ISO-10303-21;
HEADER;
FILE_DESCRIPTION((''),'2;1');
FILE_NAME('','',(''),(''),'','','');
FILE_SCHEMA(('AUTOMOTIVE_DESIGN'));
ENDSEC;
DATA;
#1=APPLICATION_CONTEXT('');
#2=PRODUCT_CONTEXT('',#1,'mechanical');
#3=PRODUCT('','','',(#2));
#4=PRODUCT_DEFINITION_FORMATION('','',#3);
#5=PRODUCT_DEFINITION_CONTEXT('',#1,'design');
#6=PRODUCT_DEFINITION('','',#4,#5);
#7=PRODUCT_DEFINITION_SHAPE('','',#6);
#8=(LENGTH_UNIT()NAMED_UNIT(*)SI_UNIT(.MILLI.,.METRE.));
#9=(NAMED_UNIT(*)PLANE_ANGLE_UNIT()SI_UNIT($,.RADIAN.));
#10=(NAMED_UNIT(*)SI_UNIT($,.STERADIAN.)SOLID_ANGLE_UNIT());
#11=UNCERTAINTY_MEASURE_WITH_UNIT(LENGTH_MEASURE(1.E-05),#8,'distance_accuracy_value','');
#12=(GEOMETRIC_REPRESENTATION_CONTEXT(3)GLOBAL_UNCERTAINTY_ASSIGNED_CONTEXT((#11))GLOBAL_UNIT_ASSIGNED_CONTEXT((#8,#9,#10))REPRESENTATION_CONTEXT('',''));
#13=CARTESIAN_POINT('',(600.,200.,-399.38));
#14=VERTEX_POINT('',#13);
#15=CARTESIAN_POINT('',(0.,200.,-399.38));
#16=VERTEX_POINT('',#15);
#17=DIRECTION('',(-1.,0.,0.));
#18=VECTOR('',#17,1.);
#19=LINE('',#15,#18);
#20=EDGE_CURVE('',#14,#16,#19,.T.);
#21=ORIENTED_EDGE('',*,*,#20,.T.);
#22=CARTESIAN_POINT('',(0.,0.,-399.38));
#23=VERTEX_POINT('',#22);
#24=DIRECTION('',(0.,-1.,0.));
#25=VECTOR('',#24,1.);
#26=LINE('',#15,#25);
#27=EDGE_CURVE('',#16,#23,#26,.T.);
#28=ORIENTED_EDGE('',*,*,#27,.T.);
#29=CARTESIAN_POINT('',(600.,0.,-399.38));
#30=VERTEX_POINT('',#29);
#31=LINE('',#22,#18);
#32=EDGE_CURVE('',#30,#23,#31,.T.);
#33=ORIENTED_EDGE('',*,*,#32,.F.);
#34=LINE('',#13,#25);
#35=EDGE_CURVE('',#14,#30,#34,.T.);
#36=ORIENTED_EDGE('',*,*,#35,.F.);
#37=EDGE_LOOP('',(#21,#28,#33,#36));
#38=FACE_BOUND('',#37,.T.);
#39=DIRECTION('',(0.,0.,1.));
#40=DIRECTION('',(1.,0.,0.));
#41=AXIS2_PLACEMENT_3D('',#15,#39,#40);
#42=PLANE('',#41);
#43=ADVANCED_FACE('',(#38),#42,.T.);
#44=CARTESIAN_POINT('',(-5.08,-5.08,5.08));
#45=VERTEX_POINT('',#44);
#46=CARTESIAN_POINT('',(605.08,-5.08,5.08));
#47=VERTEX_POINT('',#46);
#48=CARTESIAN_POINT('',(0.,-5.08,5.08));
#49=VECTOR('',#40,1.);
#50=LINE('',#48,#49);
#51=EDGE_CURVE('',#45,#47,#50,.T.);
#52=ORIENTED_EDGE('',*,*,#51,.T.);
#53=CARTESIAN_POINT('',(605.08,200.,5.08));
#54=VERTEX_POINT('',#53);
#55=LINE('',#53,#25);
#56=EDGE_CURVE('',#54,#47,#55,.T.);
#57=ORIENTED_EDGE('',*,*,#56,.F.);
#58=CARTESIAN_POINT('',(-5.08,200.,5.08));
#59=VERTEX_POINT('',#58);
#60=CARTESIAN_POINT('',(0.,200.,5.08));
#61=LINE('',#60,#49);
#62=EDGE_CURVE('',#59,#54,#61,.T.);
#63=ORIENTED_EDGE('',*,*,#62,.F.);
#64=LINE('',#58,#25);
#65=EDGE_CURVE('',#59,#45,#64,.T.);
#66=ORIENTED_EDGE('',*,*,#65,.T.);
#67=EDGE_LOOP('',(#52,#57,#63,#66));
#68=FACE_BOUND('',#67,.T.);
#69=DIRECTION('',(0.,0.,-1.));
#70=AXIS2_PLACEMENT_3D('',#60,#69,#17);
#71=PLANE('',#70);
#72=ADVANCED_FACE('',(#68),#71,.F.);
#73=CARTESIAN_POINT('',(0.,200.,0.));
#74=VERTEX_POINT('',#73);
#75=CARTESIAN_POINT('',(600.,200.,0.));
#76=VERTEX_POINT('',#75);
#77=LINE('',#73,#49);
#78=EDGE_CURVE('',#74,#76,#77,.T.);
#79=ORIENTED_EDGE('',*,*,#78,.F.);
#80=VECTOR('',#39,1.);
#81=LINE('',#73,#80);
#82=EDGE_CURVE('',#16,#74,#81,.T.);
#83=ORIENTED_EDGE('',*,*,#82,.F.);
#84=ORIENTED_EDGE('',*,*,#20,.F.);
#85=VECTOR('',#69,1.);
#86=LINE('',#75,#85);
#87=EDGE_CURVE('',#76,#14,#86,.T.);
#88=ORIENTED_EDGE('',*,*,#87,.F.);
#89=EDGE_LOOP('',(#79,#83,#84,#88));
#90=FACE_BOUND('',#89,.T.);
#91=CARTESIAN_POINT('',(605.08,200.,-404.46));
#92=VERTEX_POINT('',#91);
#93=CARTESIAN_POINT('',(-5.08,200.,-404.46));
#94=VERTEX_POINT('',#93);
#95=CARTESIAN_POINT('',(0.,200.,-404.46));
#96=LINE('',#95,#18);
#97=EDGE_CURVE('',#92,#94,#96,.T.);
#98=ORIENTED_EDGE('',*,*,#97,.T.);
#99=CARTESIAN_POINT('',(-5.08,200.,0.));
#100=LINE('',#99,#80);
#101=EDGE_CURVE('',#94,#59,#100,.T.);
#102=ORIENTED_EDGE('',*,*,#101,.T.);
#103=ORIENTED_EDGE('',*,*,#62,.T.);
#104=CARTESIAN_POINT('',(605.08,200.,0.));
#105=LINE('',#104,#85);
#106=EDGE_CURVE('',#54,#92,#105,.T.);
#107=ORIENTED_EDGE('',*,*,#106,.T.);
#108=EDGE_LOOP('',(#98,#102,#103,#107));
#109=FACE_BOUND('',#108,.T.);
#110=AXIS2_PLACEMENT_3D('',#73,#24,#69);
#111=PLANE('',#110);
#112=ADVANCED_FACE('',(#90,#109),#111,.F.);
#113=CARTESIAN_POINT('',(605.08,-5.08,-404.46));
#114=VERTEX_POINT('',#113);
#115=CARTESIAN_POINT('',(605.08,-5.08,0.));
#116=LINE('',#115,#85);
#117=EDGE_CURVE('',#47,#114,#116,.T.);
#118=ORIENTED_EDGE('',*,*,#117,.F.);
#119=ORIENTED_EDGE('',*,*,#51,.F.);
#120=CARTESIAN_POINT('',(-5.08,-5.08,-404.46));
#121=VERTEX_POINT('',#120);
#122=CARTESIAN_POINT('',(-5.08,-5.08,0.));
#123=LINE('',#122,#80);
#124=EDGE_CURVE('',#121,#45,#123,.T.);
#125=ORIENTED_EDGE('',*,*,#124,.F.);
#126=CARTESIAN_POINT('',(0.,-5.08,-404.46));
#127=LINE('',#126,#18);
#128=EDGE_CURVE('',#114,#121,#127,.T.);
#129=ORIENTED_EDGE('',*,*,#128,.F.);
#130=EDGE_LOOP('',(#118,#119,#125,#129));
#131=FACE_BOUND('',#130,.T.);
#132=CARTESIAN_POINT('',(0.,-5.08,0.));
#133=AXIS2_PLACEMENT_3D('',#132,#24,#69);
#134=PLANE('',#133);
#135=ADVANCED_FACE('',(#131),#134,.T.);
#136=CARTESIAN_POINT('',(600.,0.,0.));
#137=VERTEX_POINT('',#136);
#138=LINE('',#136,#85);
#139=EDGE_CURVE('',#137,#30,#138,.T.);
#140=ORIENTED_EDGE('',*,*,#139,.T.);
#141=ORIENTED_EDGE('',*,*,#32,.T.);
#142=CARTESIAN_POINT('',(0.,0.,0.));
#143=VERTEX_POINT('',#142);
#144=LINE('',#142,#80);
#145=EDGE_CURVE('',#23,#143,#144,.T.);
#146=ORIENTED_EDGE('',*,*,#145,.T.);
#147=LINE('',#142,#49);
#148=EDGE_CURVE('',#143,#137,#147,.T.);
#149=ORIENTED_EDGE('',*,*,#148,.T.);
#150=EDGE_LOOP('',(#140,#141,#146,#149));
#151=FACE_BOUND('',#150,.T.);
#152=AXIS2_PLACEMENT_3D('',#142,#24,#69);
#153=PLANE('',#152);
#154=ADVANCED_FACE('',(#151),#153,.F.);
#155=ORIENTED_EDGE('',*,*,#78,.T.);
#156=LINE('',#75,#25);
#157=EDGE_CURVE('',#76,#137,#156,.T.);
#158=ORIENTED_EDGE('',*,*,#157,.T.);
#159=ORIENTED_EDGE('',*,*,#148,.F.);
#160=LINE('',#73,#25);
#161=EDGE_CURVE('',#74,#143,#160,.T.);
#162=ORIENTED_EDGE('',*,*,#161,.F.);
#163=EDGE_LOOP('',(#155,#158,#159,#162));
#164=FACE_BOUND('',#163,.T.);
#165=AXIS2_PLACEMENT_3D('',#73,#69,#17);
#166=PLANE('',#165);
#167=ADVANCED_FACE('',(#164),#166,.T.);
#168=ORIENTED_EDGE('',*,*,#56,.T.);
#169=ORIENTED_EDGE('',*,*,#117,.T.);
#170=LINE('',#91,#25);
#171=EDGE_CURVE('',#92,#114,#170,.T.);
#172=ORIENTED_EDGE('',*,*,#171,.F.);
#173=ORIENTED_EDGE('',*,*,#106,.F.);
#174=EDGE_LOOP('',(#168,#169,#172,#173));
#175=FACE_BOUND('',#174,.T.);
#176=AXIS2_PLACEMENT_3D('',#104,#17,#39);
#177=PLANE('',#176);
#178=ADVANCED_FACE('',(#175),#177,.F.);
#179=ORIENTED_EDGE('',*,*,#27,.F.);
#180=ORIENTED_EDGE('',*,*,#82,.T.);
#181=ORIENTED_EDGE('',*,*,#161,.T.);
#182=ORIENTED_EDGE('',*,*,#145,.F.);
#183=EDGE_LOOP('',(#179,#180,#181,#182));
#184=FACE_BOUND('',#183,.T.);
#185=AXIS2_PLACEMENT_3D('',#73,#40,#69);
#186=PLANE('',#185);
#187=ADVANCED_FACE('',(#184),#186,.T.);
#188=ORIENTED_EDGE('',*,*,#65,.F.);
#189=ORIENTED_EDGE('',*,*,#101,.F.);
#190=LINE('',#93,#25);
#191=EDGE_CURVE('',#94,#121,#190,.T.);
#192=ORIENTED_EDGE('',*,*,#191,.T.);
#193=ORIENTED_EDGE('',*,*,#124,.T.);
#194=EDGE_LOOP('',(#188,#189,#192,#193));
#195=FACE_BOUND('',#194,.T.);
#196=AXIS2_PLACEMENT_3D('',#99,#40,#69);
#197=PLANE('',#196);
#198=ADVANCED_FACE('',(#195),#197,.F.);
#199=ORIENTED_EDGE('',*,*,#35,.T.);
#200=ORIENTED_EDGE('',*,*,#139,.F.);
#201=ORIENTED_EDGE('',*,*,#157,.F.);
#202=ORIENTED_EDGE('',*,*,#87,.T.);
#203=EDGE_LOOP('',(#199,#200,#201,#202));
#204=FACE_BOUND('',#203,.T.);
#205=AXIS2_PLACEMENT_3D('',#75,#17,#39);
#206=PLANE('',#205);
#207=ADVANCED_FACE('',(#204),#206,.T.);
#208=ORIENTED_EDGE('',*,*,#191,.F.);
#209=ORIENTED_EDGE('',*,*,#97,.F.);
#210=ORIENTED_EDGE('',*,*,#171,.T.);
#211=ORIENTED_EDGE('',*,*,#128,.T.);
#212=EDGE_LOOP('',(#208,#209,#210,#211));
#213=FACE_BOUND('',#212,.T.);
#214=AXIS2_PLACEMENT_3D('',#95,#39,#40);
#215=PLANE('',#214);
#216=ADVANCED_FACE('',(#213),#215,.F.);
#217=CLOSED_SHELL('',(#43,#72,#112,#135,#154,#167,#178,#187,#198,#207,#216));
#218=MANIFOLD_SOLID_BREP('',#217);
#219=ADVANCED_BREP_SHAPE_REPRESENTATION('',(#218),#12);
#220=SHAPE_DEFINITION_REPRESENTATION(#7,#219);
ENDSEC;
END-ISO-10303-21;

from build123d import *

# Parameters (mm, degrees)
SKETCH2_W           = 600
SKETCH2_H           = 399.38
BOSS_EXTRUDE1_DEPTH = 200
SHELL1_T            = 5.08


with BuildPart() as part:
    # Sketch2 → Boss-Extrude1 (new body)
    with BuildSketch(Plane(origin=(0, 0, 0), x_dir=(1, 0, 0), z_dir=(0, 1, 0))):
        with Locations((300, 199.69)):
            Rectangle(SKETCH2_W, SKETCH2_H)
    extrude(amount=BOSS_EXTRUDE1_DEPTH)

    # Shell1
    shell1_openings = [part.faces().sort_by_distance(p)[0] for p in [
        (300, 200, -199.69),
    ]]
    offset(amount=SHELL1_T, openings=shell1_openings, kind=Kind.INTERSECTION)


solid = part.part
